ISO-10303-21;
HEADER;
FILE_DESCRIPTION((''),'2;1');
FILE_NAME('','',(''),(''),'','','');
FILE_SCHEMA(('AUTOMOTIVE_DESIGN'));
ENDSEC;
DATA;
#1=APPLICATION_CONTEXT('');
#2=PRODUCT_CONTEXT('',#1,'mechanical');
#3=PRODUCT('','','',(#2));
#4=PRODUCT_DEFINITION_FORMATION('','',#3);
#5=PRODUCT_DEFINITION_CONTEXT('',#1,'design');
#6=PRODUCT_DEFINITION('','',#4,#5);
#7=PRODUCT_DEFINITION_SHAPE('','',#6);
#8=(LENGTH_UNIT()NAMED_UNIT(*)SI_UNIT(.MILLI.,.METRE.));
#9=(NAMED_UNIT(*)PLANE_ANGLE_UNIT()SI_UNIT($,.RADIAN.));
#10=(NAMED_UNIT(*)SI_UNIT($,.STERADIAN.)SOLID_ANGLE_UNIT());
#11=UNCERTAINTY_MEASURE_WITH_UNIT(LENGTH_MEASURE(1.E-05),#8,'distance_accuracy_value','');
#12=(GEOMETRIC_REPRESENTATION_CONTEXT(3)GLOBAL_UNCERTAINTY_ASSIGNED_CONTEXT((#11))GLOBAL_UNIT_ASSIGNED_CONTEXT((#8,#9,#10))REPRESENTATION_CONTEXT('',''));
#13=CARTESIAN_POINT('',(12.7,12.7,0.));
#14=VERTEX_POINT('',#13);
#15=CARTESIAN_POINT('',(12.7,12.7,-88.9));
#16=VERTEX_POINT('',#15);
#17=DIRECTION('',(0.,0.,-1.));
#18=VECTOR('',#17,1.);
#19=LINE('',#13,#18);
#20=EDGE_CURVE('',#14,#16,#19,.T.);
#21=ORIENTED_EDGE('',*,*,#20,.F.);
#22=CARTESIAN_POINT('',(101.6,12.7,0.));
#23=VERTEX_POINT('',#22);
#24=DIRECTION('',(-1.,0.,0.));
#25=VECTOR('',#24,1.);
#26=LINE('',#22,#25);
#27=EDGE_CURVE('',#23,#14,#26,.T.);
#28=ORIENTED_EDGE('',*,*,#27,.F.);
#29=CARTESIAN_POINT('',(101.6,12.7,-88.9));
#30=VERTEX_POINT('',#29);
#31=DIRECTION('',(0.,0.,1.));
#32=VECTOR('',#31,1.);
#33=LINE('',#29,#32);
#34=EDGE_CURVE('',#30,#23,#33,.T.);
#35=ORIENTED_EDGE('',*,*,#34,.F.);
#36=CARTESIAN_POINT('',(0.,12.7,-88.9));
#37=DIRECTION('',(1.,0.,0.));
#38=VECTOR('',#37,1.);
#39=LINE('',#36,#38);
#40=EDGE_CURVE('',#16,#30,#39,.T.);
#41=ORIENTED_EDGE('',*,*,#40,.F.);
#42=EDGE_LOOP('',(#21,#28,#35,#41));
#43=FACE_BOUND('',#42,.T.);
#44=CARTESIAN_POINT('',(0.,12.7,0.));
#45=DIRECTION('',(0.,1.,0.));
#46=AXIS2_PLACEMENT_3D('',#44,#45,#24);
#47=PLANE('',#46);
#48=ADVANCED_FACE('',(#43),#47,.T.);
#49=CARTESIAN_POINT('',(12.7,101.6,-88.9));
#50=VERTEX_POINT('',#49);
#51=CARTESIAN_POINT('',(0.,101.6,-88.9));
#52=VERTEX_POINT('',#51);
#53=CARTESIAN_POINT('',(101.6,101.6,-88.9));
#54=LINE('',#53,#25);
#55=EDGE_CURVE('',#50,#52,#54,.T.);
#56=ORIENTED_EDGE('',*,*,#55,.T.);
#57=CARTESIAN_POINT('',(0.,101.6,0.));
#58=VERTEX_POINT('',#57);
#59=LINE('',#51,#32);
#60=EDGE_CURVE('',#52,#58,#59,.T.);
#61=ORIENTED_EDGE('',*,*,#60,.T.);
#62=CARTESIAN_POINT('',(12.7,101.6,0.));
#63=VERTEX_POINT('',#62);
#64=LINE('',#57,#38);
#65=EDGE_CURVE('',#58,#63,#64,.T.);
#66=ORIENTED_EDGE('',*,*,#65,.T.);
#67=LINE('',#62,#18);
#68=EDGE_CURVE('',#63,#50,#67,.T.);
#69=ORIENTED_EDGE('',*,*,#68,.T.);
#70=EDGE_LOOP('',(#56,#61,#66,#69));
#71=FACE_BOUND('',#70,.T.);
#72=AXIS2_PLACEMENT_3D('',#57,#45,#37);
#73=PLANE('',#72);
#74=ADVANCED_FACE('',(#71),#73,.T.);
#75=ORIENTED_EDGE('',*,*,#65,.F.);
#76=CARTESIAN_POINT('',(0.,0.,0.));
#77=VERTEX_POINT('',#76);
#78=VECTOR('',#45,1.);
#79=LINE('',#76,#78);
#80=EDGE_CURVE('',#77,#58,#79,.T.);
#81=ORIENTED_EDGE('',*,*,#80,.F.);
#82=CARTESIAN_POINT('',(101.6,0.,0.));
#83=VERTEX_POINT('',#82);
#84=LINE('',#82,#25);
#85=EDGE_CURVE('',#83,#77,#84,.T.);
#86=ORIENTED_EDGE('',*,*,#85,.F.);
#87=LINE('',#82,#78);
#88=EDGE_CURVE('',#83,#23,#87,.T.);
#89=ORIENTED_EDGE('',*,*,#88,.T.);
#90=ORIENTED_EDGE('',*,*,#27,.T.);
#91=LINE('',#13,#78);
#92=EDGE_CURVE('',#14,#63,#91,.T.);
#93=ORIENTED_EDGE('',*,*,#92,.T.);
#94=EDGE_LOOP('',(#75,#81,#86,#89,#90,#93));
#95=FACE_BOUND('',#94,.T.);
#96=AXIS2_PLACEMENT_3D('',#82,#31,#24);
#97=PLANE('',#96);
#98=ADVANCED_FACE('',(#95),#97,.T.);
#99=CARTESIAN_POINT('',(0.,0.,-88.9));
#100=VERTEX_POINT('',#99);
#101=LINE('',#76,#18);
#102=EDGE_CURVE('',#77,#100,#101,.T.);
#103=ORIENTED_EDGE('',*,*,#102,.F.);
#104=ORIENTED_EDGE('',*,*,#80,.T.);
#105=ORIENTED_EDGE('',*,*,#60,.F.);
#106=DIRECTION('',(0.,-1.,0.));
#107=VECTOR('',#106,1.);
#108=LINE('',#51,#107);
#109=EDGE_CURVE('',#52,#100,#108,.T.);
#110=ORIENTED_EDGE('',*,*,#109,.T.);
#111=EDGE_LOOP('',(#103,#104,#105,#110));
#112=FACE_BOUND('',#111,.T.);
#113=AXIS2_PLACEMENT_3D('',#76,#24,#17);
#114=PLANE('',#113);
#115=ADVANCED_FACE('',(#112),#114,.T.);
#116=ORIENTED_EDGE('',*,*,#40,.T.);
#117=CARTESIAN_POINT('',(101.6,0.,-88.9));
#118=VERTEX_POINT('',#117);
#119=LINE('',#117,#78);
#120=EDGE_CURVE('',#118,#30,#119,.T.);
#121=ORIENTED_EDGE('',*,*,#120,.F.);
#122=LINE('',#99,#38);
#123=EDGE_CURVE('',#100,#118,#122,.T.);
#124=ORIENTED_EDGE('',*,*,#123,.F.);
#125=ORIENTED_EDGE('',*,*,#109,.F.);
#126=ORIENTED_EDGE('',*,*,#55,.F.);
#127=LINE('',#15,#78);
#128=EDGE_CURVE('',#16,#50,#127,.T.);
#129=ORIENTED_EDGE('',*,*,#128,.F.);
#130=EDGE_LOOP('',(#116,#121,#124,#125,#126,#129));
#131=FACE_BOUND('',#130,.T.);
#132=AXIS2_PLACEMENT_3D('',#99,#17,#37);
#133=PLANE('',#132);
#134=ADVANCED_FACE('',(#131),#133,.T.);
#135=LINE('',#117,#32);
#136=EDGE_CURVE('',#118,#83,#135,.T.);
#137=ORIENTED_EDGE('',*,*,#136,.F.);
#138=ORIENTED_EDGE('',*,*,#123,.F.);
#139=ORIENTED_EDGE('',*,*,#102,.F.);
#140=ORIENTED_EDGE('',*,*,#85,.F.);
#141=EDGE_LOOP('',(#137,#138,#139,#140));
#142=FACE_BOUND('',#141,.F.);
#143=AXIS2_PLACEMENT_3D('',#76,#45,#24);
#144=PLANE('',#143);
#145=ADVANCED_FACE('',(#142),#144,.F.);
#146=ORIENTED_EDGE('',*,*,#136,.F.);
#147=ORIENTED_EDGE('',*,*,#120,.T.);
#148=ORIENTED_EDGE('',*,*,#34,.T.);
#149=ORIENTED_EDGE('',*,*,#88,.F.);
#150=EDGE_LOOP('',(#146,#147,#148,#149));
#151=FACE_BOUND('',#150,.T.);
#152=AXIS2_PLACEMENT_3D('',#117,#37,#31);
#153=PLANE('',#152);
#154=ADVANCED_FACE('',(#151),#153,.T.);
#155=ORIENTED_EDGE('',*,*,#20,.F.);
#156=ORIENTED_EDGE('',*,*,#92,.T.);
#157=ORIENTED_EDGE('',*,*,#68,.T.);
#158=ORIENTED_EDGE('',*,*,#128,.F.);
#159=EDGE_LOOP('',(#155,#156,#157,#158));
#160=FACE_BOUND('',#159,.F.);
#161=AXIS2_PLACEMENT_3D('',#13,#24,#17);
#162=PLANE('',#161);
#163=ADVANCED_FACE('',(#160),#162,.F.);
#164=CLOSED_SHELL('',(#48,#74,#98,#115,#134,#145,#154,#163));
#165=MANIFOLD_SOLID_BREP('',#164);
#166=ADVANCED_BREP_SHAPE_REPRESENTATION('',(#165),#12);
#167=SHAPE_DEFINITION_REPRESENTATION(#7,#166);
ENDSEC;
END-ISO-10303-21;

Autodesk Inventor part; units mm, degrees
ref_plane "YZ Plane" through (0, 0, 0) normal (1, 0, 0) x (0, 1, 0)
ref_plane "XZ Plane" through (0, 0, 0) normal (0, 1, 0) x (-1, 0, 0)
ref_plane "XY Plane" through (0, 0, 0) normal (0, 0, 1) x (1, 0, 0)
sketch "Sketch1" plane through (0, 0, 0) normal (0, 1, 0) x (-1, 0, 0)
  line L0 (0, 0) -> (0, -88.9)
  line L1 (0, -88.9) -> (-101.6, -88.9)
  line L2 (-101.6, -88.9) -> (-101.6, 0)
  line L3 (-101.6, 0) -> (0, 0)
  dimension "d0" = 88.9
  dimension "d1" = 101.6
extrude "Extrusion1" add sketch "Sketch1" along normal blind 12.7
sketch "Sketch2" plane through (0, 12.7, 0) normal (0, 1, 0) x (1, 0, 0)
  line L0 (101.6, 88.9) -> (0, 88.9) projected
  line L1 (0, 0) -> (12.7, 0)
  line L2 (12.7, 0) -> (12.7, 88.9)
  line L3 (12.7, 88.9) -> (0, 88.9)
  line L4 (0, 88.9) -> (0, 0)
  dimension "d4" = 12.7
extrude "Extrusion2" add sketch "Sketch2" along normal blind 88.9
properties part number "Post Bracket"
